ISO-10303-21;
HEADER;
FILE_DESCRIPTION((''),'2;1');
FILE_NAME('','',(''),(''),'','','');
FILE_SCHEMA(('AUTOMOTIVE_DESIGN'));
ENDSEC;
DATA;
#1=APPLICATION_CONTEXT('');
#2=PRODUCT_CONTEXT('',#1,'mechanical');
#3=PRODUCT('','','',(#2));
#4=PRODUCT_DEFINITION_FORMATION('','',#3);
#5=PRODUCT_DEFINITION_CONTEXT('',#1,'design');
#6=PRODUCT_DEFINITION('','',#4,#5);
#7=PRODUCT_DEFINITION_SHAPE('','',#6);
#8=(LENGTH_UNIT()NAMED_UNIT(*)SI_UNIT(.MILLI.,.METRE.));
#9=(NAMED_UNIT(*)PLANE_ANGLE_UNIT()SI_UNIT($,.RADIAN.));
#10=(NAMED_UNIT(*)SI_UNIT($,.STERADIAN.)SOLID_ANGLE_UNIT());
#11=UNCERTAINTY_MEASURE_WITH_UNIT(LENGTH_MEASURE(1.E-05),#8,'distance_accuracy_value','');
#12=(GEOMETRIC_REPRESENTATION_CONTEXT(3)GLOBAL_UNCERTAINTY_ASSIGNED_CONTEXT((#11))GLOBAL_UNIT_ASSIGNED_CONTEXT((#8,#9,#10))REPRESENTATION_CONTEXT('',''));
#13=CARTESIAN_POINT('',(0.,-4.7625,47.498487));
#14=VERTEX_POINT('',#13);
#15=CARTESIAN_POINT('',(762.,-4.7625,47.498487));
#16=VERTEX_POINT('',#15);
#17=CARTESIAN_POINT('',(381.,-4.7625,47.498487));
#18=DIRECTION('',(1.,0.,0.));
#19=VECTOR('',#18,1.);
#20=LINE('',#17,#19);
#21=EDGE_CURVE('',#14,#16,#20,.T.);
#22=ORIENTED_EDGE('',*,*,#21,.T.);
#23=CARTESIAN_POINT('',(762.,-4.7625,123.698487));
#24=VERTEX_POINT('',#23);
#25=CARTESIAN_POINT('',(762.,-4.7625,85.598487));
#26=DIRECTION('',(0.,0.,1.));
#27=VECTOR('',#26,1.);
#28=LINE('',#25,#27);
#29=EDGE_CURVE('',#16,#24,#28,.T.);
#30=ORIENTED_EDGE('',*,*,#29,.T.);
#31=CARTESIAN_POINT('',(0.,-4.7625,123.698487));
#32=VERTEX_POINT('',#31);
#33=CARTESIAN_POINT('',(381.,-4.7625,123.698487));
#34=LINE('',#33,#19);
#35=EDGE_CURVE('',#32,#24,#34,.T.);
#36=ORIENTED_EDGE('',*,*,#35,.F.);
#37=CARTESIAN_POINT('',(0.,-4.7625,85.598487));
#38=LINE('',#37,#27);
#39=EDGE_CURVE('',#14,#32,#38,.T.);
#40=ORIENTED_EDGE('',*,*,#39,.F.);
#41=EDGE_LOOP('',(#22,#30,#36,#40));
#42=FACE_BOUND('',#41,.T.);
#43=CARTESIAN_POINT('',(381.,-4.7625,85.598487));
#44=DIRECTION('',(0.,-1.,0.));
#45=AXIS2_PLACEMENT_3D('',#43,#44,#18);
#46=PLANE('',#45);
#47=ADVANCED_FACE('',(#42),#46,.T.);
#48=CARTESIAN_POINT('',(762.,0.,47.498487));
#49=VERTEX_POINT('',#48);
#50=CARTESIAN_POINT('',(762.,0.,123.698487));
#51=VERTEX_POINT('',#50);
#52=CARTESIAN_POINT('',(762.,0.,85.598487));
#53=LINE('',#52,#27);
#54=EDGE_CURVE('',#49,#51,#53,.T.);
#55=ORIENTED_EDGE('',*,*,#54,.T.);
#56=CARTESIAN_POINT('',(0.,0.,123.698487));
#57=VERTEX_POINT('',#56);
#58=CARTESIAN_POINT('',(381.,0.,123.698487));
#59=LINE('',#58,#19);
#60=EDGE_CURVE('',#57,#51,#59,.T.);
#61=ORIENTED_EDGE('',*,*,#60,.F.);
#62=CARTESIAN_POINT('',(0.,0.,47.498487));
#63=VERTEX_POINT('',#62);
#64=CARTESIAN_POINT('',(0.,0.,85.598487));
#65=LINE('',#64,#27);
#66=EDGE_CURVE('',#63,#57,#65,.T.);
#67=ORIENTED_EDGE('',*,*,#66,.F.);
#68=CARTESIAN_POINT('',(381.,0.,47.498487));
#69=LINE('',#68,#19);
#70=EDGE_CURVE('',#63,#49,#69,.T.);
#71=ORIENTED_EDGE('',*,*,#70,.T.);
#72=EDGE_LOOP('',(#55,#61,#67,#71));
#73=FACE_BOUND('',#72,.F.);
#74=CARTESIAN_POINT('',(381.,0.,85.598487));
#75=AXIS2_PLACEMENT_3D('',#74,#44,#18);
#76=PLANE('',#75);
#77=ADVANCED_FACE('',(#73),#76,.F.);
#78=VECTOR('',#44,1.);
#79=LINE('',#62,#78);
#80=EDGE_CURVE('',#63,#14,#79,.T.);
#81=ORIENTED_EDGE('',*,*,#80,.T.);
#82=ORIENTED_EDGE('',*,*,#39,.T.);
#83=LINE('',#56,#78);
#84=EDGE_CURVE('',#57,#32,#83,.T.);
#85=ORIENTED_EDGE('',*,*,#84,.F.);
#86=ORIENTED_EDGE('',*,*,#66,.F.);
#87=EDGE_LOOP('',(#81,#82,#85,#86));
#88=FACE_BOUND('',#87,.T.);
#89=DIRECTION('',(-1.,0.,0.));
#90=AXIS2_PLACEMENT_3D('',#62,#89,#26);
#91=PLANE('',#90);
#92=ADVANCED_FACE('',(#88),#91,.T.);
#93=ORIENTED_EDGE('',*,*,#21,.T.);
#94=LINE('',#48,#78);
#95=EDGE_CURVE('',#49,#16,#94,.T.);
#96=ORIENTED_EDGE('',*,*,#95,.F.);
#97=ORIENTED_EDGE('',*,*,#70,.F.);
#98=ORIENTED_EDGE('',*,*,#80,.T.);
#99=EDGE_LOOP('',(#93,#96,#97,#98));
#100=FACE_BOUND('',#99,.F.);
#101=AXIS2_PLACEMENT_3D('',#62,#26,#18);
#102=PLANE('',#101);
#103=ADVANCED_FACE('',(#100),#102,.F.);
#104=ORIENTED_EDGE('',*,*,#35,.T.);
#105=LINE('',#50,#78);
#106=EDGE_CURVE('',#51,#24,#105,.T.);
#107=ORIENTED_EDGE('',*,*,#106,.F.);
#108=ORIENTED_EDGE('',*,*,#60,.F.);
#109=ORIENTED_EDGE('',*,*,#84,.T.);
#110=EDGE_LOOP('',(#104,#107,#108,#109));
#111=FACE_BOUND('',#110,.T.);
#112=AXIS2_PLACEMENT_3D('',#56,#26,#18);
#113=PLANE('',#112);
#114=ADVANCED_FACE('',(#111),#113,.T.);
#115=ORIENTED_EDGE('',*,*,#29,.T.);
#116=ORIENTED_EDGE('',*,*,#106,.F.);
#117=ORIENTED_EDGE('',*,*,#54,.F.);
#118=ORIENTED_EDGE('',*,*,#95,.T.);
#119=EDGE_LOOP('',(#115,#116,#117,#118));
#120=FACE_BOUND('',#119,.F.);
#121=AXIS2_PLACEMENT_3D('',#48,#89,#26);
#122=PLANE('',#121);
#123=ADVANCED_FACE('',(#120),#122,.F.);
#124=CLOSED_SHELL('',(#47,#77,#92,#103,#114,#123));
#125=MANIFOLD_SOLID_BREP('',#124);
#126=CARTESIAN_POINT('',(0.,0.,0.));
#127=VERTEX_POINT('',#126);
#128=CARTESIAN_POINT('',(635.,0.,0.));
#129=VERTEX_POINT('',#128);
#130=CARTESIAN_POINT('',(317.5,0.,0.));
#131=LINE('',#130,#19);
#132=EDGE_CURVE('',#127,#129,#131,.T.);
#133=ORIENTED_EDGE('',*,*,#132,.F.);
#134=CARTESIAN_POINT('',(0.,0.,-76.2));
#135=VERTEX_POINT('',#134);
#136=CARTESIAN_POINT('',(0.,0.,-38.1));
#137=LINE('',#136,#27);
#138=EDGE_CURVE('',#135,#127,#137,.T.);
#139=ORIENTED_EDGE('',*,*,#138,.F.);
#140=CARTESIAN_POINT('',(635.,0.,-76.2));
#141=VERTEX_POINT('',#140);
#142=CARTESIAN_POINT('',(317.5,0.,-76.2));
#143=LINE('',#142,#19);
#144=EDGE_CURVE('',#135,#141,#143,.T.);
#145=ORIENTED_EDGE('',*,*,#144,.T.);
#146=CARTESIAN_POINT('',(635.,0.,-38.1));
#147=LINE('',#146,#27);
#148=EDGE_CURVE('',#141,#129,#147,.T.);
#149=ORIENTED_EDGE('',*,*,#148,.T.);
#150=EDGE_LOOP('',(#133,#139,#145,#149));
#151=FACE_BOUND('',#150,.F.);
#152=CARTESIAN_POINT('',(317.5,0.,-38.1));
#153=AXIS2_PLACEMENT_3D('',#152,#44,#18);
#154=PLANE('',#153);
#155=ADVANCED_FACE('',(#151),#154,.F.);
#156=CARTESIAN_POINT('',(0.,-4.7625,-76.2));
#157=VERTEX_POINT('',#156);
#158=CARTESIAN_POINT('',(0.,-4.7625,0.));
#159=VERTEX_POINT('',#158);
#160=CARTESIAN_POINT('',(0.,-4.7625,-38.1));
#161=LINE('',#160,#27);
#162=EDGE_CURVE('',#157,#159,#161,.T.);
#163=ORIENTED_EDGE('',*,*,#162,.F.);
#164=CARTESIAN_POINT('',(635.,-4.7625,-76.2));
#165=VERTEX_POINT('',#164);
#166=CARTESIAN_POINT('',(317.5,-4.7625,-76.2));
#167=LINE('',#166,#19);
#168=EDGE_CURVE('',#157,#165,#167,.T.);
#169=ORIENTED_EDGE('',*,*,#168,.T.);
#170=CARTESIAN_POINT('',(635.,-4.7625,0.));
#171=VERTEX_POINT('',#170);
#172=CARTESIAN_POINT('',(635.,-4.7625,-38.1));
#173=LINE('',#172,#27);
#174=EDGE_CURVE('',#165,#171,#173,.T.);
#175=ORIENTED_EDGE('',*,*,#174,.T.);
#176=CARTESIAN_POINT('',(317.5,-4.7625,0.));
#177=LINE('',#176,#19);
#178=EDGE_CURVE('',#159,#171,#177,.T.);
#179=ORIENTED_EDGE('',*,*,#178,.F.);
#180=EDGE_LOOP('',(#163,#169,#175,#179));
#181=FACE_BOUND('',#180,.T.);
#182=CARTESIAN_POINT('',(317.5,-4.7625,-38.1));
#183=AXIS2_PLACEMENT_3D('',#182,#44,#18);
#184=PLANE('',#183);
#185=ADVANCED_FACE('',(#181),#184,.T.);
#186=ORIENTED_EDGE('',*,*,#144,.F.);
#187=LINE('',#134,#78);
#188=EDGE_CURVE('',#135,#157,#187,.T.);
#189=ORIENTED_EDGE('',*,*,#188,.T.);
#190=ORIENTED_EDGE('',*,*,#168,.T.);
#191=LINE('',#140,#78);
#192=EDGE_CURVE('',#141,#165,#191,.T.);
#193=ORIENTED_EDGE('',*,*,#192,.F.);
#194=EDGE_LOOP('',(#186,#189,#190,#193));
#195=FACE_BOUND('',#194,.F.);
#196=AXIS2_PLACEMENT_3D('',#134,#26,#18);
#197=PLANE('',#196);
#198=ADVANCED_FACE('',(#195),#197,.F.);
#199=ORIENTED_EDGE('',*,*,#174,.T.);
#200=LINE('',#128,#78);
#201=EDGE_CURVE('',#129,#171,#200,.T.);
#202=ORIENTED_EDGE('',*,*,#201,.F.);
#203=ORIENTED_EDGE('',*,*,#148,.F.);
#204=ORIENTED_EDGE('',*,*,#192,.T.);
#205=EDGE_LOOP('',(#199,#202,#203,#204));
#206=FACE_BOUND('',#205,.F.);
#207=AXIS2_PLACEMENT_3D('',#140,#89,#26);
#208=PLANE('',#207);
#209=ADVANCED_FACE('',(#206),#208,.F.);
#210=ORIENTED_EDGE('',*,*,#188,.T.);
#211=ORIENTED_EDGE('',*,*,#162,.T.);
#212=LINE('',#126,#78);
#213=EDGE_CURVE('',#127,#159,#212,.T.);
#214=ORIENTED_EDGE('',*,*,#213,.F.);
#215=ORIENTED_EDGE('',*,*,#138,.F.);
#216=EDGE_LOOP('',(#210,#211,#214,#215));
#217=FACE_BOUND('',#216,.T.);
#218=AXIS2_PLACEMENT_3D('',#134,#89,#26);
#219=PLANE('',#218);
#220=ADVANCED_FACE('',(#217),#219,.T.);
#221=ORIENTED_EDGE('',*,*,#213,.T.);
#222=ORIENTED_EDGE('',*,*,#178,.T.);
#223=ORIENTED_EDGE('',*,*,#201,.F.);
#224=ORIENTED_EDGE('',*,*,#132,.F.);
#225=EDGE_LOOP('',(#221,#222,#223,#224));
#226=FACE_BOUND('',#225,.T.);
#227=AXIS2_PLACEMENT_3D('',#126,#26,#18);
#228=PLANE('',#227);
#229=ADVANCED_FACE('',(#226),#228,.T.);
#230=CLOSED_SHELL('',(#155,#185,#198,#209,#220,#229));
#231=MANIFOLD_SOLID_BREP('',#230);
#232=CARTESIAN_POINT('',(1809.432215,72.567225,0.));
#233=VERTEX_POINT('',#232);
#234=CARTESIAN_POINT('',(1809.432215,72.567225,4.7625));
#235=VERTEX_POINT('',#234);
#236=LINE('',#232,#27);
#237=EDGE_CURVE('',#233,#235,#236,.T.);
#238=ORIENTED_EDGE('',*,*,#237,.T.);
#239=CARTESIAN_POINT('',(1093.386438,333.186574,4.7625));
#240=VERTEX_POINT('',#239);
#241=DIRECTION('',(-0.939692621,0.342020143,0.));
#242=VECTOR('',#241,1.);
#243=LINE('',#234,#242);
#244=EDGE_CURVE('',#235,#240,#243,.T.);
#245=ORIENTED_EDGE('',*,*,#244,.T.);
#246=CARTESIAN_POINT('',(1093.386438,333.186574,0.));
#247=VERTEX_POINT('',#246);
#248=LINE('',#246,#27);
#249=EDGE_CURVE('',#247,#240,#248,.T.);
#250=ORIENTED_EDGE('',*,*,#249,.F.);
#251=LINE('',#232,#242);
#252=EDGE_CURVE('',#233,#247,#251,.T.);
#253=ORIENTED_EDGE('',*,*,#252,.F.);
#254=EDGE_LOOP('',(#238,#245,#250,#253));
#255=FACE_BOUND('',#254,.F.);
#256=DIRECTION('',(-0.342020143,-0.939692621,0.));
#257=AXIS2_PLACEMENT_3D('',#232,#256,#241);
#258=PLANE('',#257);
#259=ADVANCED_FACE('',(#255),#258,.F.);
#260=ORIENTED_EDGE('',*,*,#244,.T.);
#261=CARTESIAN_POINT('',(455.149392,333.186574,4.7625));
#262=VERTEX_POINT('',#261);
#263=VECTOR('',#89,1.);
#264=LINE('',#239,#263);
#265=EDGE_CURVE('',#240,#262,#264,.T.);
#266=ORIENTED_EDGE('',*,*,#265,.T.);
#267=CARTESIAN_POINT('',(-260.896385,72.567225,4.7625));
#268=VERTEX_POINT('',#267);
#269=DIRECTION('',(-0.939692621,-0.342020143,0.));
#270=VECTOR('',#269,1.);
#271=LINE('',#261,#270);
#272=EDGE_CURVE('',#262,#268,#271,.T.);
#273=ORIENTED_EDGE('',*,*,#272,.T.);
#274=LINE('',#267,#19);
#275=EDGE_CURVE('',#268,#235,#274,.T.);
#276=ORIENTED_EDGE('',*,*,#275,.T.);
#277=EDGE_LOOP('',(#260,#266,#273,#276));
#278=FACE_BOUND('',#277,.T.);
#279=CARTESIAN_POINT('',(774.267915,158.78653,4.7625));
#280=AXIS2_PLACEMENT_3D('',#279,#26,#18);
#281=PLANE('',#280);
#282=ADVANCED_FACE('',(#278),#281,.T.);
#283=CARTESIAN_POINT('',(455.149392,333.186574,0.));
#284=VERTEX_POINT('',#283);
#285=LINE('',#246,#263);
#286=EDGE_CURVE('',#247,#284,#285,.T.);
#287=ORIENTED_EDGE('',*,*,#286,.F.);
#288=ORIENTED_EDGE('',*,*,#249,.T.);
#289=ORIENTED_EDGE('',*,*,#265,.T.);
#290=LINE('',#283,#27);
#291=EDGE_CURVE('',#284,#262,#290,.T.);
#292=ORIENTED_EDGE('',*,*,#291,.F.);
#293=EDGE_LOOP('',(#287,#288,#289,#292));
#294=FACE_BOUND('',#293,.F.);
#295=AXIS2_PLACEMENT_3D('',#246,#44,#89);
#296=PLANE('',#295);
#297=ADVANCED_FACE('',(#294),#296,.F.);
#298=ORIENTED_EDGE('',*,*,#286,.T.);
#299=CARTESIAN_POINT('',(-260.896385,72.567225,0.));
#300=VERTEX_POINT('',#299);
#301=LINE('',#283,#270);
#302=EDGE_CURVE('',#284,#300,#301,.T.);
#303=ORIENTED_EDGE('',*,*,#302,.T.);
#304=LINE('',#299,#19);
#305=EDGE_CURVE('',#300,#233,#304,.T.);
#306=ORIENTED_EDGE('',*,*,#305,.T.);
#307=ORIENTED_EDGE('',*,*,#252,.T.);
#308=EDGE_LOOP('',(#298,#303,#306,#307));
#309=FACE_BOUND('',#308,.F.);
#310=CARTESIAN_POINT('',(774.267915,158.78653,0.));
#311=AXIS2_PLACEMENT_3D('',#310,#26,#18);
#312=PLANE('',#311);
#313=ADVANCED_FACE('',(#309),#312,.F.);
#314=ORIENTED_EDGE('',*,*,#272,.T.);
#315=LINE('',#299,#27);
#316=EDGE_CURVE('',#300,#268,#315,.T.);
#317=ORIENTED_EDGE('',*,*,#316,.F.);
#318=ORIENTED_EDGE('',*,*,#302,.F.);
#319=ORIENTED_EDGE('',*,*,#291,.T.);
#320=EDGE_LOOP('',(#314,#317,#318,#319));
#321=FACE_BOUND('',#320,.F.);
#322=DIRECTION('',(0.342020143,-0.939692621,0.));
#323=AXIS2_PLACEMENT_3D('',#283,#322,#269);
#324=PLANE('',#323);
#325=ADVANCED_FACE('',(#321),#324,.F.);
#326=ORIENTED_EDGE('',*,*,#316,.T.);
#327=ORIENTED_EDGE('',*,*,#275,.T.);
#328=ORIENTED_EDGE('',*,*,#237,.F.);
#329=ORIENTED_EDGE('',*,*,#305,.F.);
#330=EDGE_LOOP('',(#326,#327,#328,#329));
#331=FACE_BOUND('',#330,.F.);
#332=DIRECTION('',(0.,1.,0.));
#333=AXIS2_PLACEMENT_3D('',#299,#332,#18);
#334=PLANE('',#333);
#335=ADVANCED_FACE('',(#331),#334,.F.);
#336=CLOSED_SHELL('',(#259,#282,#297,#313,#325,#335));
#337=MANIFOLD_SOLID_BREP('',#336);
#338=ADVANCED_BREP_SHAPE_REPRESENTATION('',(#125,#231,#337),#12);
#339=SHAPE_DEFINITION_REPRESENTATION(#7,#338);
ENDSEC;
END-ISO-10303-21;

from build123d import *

# Parameters (mm, degrees)
F0_W     = 635
F0_H     = 76.2
F1_DEPTH = 4.7625
F2_W     = 762
F2_H     = 76.2
F3_DEPTH = 4.7625
F5_DEPTH = 4.7625


with BuildPart() as f1:
    # F0 (on Front) → F1 (new body)
    with BuildSketch(Plane.XZ):
        with Locations((317.5, -38.1)):
            Rectangle(F0_W, F0_H)
    extrude(amount=F1_DEPTH)


with BuildPart() as f3:
    # F2 (on Front) → F3 (new body)
    with BuildSketch(Plane.XZ):
        with Locations((381, 85.598487)):
            Rectangle(F2_W, F2_H)
    extrude(amount=F3_DEPTH)


with BuildPart() as f5:
    # F4 (on Top) → F5 (new body)
    with BuildSketch(Plane.XY):
        Polygon((455.149392, 333.186574), (-260.896385, 72.567225), (1809.432215, 72.567225), (1093.386438, 333.186574), align=None)
    extrude(amount=F5_DEPTH)


solid = Compound([f1.part, f3.part, f5.part])
